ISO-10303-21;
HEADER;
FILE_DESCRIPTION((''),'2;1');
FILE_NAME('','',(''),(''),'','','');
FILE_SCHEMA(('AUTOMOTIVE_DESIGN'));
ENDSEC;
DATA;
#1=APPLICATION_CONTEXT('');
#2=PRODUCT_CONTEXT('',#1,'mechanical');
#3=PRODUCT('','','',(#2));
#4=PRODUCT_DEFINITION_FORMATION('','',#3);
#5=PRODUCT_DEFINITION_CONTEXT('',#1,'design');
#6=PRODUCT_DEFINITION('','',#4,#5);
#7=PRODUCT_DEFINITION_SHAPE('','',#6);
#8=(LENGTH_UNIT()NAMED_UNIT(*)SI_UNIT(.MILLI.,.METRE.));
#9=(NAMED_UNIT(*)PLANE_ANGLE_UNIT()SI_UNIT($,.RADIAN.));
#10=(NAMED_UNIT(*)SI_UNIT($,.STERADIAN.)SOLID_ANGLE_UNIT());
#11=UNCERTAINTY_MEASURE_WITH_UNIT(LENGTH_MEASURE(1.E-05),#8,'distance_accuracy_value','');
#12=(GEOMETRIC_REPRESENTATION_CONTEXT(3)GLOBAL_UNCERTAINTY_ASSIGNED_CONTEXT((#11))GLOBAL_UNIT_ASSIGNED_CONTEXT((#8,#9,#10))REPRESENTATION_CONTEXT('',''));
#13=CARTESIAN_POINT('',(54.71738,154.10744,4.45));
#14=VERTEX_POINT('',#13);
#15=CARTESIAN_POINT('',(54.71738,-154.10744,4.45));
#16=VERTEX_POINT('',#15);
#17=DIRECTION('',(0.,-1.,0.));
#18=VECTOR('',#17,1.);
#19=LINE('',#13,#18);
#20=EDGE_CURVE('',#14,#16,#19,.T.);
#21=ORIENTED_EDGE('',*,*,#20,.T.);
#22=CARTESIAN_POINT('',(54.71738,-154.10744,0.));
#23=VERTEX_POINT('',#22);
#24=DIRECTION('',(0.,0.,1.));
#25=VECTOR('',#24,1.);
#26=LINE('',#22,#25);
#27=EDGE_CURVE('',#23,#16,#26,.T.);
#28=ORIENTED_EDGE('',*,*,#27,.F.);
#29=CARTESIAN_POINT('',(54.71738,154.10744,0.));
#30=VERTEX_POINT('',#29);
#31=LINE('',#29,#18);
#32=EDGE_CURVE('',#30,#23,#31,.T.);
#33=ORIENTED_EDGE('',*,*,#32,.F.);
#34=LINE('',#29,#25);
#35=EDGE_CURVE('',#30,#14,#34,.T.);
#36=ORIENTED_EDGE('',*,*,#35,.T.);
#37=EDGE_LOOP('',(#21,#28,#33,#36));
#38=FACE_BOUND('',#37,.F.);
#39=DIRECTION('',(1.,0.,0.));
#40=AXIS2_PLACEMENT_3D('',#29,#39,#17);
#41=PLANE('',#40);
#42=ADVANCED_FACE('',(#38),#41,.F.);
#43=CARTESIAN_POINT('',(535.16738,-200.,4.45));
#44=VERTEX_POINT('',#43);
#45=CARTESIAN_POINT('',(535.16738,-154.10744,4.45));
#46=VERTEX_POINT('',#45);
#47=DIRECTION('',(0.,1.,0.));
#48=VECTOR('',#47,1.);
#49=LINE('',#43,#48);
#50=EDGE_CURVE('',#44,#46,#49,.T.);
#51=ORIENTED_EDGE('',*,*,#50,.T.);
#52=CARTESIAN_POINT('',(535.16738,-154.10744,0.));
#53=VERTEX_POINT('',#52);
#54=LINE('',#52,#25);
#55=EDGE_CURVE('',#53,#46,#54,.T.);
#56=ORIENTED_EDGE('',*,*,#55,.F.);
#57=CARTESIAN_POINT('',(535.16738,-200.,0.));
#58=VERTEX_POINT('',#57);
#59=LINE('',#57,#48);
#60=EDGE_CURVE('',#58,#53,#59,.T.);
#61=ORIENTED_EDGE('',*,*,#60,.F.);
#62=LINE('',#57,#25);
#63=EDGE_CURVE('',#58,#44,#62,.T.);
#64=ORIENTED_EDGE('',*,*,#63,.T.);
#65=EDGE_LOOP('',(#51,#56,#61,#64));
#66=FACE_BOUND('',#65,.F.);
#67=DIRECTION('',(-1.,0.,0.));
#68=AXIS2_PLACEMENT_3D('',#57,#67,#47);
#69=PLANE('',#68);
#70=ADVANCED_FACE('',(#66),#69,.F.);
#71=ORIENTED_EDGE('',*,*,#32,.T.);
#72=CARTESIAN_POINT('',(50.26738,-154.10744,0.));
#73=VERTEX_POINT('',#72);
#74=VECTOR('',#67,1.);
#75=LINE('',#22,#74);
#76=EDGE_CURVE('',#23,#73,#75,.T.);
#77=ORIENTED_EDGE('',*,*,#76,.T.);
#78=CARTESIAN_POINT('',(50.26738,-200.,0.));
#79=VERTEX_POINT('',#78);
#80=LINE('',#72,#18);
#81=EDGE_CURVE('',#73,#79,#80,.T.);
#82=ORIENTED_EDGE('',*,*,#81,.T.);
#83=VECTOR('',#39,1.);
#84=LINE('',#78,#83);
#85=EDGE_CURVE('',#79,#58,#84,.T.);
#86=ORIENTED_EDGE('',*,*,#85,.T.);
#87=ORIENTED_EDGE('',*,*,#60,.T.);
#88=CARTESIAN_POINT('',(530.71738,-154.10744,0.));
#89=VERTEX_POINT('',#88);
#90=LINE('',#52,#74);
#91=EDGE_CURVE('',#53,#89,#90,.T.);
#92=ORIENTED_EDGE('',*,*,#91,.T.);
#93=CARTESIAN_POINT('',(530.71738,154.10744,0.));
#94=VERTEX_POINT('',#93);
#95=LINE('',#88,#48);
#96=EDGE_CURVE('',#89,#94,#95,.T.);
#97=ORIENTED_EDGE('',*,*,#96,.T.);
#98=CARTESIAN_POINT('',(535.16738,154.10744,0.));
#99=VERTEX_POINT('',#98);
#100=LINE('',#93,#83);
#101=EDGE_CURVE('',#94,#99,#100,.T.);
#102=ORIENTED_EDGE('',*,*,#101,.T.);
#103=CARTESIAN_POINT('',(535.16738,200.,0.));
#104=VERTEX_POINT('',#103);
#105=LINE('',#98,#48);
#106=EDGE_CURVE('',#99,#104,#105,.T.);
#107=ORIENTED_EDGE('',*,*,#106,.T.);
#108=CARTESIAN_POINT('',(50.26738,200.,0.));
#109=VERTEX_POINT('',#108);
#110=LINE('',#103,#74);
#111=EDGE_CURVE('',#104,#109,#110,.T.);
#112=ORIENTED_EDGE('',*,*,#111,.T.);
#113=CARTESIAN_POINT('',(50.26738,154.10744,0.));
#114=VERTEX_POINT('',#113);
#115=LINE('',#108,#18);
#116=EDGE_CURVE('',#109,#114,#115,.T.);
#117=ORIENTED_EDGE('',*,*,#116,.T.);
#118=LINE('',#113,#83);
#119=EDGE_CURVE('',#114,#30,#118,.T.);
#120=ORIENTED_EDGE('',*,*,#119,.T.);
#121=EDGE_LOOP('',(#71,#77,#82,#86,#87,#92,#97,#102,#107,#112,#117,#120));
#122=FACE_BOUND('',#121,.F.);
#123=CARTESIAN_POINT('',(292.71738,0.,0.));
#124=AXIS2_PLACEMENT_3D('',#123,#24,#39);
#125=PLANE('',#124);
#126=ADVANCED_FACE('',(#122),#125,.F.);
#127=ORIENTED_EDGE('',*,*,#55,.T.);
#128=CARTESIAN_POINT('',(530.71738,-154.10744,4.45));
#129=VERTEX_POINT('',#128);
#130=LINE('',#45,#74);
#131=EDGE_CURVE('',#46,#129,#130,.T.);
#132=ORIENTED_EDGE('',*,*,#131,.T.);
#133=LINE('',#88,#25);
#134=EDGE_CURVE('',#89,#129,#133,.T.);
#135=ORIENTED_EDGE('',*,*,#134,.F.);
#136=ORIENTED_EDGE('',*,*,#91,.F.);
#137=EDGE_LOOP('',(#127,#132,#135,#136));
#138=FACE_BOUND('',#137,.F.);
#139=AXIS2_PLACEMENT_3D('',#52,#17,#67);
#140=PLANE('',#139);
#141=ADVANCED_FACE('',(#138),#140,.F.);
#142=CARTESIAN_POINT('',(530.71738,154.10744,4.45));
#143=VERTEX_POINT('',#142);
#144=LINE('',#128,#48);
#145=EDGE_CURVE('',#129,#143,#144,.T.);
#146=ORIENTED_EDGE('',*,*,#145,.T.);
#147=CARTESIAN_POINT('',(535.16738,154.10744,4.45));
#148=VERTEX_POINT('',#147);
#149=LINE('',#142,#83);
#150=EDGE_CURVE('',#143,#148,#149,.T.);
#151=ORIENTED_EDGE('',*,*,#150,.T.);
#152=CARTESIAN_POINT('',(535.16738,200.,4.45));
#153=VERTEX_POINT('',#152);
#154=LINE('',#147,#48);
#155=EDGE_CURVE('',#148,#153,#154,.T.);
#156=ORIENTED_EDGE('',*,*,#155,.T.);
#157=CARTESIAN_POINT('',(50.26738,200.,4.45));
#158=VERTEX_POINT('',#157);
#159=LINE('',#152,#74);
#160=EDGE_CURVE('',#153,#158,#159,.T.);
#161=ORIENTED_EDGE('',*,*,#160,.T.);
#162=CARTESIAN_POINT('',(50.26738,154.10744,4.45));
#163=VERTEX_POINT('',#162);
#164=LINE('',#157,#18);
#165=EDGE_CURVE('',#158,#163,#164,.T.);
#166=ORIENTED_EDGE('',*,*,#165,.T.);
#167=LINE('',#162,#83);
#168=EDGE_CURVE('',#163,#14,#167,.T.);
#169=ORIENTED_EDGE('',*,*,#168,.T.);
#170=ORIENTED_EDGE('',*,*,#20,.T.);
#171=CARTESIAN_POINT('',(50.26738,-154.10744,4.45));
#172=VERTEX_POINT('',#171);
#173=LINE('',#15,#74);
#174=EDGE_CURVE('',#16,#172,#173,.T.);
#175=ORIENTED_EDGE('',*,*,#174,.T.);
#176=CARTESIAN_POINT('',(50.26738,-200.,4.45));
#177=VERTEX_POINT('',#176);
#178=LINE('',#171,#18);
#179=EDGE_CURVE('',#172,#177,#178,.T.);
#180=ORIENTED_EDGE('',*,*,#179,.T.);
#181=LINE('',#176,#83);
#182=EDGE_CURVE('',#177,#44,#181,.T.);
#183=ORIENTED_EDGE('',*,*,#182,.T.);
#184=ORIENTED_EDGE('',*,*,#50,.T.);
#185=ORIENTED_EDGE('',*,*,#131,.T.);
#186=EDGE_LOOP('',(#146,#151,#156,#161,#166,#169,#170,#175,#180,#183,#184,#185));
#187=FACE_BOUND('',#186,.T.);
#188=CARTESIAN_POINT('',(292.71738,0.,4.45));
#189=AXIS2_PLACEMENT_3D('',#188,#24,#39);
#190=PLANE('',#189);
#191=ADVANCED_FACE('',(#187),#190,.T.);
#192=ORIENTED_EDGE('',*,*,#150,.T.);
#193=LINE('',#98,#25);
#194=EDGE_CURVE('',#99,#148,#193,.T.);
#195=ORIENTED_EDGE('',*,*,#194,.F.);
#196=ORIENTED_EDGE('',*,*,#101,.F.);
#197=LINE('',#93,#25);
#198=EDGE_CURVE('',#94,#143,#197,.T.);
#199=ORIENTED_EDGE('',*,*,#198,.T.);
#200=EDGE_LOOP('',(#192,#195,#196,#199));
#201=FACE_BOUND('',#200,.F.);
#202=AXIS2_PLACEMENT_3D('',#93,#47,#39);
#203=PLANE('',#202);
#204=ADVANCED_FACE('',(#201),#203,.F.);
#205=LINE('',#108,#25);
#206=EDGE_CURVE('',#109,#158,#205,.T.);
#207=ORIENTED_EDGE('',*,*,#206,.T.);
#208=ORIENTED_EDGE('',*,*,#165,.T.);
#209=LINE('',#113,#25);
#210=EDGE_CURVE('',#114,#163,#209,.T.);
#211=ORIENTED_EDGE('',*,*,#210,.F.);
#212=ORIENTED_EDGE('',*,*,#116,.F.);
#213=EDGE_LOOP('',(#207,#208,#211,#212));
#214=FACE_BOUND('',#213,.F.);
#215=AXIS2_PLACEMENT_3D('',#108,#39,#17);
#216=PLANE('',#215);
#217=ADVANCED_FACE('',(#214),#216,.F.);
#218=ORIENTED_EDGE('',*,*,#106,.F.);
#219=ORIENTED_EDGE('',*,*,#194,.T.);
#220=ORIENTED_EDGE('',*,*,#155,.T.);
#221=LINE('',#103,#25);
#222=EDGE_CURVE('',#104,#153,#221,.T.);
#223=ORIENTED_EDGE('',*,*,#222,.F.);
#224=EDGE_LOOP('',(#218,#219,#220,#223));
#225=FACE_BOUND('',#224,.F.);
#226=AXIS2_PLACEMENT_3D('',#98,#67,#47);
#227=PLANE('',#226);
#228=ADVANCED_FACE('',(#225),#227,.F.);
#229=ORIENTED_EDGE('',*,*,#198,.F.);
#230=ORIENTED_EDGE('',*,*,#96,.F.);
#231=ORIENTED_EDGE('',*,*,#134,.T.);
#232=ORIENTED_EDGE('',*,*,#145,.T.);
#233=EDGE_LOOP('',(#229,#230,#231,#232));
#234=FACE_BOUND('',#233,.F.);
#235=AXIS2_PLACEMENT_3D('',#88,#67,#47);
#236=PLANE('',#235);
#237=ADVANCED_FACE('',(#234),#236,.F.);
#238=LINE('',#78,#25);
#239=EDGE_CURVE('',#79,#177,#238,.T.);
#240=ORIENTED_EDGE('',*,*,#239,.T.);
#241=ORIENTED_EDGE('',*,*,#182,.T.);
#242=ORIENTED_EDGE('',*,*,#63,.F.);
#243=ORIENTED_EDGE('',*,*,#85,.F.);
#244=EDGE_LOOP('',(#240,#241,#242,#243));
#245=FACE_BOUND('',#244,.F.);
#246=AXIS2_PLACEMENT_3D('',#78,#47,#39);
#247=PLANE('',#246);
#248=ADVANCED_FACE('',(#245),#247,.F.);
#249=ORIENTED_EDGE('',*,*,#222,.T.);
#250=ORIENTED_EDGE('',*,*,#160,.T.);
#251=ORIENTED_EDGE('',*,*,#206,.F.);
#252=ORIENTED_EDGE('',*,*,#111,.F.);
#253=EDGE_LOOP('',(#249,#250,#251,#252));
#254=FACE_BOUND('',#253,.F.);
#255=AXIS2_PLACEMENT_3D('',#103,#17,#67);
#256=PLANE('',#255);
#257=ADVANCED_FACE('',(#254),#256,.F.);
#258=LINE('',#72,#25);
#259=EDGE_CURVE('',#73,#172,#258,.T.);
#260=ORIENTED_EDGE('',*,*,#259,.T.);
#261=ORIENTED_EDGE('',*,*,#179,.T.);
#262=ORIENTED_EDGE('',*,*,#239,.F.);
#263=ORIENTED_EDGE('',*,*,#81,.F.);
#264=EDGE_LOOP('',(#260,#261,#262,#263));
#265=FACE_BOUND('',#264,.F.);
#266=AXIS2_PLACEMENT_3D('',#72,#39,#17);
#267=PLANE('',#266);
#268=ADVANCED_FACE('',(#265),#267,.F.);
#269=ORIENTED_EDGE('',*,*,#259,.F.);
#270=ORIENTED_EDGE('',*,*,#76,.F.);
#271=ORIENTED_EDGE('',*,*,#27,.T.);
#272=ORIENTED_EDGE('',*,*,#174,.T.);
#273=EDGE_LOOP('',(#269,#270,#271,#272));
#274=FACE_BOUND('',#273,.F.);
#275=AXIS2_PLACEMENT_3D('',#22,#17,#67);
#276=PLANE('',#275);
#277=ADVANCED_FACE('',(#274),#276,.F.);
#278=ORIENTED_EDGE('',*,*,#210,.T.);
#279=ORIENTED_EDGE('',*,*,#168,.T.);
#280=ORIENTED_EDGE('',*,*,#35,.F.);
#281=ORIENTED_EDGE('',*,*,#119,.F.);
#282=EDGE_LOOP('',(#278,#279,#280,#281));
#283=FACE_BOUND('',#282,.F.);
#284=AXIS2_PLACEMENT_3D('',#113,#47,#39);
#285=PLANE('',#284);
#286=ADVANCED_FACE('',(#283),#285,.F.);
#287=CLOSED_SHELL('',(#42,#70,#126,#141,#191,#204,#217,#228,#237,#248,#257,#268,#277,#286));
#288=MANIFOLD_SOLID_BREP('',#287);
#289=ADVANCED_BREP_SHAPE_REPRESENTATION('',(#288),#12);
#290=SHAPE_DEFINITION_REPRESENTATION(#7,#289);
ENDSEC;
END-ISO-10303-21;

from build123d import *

# Parameters (mm, degrees)
F1_DEPTH = 4.45


with BuildPart() as f1:
    # F0 (on Top) → F1 (new body)
    with BuildSketch(Plane.XY):
        Polygon((50.26738, -154.10744), (50.26738, -200), (54.71738, -200), (530.71738, -200), (535.16738, -200), (535.16738, -154.10744), (530.71738, -154.10744), (530.71738, 154.10744), (535.16738, 154.10744), (535.16738, 200), (530.71738, 200), (54.71738, 200), (50.26738, 200), (50.26738, 154.10744), (54.71738, 154.10744), (54.71738, -154.10744), align=None)
    extrude(amount=F1_DEPTH)


solid = f1.part
